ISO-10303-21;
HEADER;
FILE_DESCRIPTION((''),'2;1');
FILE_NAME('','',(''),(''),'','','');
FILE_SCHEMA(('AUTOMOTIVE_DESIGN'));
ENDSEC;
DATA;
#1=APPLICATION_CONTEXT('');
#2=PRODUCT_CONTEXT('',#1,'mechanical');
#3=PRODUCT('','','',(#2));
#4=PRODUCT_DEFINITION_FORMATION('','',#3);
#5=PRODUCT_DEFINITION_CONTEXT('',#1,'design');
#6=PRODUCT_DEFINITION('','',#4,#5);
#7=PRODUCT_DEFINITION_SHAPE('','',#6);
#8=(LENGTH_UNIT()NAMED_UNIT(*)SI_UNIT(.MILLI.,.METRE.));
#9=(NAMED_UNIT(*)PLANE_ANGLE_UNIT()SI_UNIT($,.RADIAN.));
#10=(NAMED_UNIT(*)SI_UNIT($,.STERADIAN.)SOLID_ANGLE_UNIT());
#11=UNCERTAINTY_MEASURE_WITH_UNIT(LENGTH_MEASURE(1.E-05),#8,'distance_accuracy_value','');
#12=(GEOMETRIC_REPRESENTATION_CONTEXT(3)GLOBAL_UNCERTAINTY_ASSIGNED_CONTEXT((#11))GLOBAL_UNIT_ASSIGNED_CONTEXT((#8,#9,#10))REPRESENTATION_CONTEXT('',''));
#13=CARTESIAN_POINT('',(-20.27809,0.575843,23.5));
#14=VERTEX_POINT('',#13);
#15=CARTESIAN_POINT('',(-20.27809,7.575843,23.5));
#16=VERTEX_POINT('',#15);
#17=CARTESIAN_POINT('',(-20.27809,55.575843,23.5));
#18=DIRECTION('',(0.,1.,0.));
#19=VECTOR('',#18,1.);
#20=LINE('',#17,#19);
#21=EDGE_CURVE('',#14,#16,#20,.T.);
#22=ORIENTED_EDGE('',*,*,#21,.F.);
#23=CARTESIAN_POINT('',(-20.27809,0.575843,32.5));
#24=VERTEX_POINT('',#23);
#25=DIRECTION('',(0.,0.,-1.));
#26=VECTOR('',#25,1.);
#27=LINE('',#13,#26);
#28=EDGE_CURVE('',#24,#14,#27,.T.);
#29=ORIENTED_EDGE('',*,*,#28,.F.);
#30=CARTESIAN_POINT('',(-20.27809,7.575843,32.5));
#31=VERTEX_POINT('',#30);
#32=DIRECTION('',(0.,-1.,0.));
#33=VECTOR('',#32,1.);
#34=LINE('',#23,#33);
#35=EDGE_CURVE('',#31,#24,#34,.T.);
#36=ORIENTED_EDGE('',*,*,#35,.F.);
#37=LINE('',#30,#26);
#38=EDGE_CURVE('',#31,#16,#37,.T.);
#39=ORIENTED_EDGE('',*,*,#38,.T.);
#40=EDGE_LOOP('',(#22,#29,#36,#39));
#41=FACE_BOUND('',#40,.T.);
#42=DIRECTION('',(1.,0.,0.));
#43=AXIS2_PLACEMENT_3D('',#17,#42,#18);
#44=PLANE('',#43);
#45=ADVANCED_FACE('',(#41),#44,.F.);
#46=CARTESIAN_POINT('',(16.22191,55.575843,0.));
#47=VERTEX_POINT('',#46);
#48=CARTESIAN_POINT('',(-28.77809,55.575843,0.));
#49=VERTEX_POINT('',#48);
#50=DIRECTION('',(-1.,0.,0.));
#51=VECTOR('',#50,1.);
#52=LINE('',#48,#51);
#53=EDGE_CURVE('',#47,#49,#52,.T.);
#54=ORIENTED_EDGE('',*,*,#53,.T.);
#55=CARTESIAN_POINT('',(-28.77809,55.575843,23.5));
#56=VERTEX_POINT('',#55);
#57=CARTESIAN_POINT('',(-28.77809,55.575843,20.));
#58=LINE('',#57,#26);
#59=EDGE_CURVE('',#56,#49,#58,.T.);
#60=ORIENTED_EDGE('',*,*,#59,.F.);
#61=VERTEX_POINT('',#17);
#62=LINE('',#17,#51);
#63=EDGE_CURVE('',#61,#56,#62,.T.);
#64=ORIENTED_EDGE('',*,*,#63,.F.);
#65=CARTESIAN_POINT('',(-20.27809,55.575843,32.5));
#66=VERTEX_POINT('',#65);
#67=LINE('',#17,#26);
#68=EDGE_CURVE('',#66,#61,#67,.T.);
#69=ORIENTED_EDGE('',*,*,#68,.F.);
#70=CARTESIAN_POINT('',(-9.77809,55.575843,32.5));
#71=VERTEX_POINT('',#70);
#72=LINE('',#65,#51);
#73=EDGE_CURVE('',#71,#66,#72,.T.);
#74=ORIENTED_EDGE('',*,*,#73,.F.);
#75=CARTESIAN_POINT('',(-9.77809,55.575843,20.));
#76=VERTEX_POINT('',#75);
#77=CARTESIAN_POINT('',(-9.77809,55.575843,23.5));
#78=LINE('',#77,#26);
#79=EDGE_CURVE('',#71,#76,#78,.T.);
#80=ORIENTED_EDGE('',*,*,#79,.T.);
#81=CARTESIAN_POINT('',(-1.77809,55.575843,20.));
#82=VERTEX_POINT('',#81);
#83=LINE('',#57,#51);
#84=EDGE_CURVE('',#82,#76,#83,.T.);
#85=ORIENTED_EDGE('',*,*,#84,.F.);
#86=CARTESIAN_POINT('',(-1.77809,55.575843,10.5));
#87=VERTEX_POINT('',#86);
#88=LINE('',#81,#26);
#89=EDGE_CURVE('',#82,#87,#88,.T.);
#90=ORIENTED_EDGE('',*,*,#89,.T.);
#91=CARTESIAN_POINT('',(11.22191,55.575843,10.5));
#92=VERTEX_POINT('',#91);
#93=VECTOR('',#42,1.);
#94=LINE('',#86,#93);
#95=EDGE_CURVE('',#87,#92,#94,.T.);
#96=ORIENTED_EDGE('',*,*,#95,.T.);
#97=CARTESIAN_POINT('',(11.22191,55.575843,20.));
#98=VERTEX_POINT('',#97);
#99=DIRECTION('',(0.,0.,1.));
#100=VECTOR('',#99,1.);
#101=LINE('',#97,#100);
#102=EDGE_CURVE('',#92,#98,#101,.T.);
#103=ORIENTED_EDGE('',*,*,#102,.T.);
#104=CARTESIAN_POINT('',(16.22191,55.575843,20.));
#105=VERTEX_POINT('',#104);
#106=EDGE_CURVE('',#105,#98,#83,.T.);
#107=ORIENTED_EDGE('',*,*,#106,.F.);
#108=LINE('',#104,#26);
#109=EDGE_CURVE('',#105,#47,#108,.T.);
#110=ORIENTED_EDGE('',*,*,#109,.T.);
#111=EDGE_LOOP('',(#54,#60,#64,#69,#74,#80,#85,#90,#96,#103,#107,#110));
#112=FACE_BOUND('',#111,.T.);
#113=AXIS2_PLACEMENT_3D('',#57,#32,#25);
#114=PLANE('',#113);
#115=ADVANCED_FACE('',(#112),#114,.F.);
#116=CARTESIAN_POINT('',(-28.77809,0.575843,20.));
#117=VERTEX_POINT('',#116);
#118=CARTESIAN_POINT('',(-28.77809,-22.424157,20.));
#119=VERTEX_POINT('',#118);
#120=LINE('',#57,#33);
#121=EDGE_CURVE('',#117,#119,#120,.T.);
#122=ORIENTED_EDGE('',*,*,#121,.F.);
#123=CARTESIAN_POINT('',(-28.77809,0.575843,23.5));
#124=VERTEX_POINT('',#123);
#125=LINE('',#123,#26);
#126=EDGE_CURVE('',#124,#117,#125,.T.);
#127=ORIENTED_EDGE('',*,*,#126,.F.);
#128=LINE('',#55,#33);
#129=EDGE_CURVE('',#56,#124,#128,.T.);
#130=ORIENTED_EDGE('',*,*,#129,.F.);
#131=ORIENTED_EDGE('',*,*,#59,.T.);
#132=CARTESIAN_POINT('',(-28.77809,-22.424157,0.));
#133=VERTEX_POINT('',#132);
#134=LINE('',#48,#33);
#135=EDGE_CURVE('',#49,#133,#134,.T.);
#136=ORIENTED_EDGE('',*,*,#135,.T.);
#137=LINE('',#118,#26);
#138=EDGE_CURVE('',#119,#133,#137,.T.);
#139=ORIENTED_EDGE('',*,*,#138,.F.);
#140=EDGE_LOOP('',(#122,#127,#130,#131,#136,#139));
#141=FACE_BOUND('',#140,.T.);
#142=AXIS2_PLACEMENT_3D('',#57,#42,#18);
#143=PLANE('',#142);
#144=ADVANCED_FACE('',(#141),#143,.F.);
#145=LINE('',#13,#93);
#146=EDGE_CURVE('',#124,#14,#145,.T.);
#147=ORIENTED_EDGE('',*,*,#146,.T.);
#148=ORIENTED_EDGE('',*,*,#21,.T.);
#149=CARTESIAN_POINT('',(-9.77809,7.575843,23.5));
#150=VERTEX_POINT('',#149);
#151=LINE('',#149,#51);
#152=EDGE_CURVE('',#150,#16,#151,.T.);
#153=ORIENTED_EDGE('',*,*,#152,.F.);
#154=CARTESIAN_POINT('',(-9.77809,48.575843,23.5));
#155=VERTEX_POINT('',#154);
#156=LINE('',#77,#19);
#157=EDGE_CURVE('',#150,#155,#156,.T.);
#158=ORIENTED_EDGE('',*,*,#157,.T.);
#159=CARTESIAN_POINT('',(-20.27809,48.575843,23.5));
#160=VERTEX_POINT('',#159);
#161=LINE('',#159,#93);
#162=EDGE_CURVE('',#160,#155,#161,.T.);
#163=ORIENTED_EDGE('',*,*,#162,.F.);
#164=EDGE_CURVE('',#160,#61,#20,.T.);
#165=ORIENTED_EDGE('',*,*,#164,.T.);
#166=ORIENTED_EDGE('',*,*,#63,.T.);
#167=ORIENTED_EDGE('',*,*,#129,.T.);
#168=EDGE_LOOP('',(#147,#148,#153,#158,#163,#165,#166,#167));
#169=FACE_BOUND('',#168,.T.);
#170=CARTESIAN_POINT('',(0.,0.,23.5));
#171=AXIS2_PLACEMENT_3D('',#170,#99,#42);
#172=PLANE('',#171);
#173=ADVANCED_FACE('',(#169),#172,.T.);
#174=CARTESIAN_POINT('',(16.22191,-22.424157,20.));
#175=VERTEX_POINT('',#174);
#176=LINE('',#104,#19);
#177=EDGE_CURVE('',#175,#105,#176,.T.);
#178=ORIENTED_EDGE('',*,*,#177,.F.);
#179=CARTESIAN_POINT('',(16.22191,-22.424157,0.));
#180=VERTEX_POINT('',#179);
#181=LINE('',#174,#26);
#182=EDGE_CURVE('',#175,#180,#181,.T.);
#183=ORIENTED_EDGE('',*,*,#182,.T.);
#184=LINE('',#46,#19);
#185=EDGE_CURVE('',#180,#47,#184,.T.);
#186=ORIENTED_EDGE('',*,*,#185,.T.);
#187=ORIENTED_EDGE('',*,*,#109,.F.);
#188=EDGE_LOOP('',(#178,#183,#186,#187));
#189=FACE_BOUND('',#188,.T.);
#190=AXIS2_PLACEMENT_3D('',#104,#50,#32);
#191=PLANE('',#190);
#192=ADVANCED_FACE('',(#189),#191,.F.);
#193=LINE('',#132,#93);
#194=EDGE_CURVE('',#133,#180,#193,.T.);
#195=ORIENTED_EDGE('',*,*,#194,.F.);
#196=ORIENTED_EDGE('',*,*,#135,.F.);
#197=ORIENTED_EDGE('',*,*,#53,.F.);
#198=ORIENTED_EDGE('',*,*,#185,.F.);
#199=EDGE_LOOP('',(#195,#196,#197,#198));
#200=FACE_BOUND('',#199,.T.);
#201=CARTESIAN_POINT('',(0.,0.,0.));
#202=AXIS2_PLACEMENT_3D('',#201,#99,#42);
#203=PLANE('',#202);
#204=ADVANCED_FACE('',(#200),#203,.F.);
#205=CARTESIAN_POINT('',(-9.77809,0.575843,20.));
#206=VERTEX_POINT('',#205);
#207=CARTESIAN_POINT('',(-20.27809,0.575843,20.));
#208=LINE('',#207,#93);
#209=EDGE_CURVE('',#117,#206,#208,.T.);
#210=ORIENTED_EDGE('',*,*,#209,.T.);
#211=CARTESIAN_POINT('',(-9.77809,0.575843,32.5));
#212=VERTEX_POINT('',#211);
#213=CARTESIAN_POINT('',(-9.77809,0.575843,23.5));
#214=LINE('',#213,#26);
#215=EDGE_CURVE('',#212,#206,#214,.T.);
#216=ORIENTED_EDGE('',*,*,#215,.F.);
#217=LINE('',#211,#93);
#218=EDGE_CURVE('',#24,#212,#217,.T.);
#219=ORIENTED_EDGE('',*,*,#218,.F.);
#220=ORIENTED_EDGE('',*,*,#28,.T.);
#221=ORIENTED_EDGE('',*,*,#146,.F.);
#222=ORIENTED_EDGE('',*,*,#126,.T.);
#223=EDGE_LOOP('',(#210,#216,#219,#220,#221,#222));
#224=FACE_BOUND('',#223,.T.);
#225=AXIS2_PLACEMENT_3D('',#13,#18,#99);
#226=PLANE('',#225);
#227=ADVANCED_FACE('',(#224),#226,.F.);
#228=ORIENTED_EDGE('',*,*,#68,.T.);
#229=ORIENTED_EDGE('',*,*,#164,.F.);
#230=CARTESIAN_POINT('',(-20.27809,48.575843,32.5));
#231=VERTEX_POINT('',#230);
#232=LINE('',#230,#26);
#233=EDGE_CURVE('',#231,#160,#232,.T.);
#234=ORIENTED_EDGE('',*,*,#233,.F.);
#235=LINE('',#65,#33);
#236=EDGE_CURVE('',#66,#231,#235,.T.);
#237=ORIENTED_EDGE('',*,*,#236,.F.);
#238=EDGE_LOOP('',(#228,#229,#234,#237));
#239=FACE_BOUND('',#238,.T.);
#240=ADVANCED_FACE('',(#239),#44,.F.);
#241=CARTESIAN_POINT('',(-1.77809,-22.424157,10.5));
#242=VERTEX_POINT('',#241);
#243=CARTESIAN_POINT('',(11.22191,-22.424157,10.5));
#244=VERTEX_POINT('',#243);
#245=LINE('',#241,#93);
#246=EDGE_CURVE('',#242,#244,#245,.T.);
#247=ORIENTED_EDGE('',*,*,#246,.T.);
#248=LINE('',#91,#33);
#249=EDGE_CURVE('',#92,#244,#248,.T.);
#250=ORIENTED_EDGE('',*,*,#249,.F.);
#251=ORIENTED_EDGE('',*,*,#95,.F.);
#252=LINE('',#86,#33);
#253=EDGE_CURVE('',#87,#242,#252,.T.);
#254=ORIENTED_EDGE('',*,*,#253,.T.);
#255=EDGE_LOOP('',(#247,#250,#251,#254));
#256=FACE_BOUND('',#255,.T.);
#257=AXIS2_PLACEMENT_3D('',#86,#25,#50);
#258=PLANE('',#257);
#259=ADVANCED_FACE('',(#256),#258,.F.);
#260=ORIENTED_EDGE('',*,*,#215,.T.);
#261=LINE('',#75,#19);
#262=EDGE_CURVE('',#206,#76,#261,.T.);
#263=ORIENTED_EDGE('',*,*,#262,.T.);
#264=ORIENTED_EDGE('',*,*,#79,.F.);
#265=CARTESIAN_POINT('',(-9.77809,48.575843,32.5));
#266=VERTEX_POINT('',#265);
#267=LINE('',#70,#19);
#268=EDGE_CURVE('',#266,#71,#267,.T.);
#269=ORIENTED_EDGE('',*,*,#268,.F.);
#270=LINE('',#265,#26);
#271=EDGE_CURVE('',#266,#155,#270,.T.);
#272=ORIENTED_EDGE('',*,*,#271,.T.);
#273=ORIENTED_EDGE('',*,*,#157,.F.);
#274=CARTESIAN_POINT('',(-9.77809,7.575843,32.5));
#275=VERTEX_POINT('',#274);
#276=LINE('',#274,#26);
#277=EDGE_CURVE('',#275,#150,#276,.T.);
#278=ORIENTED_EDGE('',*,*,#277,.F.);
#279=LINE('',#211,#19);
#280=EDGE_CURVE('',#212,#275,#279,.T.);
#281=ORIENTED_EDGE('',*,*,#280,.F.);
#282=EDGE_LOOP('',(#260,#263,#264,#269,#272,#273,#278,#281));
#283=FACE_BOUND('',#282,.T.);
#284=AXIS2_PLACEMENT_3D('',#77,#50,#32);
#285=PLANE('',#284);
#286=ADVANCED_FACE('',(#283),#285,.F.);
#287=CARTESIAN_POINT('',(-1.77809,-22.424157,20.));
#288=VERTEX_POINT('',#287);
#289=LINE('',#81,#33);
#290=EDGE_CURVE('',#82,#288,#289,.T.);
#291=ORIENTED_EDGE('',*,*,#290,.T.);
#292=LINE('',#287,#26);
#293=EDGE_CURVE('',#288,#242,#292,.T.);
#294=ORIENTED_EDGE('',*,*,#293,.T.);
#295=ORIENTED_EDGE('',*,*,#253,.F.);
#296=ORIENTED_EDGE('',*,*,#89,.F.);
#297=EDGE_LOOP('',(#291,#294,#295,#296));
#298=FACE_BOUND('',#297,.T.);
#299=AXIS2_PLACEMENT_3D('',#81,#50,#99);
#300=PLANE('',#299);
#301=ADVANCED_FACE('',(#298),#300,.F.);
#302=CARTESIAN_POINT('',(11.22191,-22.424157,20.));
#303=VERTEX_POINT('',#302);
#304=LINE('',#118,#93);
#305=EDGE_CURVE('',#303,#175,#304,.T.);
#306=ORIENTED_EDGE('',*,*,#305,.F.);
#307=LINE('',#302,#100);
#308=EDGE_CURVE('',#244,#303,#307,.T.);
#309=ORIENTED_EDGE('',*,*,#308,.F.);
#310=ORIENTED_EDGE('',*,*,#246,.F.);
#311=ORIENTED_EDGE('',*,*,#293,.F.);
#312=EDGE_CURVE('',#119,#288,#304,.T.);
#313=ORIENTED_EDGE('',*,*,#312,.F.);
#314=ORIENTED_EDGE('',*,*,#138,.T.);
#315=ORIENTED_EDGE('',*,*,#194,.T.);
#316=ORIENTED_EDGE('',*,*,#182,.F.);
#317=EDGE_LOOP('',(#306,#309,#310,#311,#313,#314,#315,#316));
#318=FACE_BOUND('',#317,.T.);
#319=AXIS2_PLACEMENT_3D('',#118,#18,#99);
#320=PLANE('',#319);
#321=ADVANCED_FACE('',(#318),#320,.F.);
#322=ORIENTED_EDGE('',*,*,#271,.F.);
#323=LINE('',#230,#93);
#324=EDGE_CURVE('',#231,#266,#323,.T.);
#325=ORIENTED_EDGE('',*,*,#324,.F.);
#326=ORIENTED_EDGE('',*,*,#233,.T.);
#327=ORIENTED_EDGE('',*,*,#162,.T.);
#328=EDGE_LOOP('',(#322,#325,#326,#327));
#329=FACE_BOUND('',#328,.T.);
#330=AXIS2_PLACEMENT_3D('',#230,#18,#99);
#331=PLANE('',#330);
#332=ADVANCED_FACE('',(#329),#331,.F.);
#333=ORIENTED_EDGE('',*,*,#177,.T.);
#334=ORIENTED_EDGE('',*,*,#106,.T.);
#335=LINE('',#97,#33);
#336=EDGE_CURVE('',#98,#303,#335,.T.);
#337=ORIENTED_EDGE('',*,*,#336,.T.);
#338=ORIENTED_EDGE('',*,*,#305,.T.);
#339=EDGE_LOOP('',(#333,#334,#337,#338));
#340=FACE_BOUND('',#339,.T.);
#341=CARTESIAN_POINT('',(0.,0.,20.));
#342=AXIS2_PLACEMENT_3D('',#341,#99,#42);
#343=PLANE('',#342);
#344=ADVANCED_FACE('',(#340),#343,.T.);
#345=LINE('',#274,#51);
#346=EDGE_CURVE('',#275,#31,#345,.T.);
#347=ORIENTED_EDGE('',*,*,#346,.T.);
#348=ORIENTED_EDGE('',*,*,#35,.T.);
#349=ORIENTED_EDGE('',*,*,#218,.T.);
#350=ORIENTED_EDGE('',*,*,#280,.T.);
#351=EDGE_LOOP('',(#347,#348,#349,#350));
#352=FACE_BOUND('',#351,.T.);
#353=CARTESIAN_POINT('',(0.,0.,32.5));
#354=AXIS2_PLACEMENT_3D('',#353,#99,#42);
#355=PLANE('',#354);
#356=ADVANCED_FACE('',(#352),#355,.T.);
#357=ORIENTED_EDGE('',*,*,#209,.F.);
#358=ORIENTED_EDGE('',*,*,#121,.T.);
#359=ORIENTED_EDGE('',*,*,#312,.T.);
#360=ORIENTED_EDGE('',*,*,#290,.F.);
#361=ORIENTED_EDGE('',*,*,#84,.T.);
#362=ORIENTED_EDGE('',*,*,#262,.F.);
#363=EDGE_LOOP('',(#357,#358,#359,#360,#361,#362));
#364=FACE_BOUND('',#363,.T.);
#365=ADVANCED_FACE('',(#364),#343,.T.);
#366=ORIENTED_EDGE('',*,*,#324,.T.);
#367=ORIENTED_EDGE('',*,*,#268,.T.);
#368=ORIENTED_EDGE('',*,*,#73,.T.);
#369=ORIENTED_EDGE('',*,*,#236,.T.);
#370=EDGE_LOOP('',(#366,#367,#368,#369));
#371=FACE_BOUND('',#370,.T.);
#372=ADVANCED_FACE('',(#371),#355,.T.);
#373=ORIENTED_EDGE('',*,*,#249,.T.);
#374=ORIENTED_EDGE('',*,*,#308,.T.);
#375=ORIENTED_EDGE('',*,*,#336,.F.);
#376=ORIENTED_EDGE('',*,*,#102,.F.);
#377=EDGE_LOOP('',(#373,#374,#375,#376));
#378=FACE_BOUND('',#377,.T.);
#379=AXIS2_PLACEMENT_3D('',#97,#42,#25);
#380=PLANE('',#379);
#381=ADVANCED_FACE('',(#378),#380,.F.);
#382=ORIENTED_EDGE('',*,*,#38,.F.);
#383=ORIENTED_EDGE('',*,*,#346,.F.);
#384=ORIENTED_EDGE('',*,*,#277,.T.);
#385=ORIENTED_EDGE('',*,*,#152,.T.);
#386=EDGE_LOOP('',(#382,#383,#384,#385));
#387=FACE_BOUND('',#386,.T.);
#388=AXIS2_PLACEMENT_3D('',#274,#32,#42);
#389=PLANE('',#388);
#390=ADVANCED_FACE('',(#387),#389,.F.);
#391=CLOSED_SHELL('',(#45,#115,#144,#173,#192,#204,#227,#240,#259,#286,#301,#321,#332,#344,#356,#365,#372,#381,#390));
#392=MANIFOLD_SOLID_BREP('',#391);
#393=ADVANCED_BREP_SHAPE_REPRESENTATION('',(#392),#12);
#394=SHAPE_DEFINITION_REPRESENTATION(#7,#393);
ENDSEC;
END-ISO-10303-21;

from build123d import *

# Parameters (mm, degrees)
SKETCH4_W           = 45
SKETCH4_H           = 78
BOSS_EXTRUDE1_DEPTH = 20
SKETCH6_W           = 13
SKETCH6_H           = 9.5
CUT_EXTRUDE1_DEPTH  = 86.511276786
SKETCH7_W           = 10.5
SKETCH7_H           = 55
BOSS_EXTRUDE2_DEPTH = 3.5
SKETCH8_W           = 10.5
SKETCH8_H           = 7
BOSS_EXTRUDE3_DEPTH = 9
SKETCH9_W           = 8.5
SKETCH9_H           = 55
BOSS_EXTRUDE4_DEPTH = 3.5


with BuildPart() as part:
    # Sketch4 → Boss-Extrude1 (new body)
    with BuildSketch(Plane.XY):
        with Locations((-6.278089888, 16.575842697)):
            Rectangle(SKETCH4_W, SKETCH4_H)
    extrude(amount=BOSS_EXTRUDE1_DEPTH)

    # Sketch6 → Cut-Extrude1 (cut, through all)
    with BuildSketch(Plane.XZ.offset(22.424157303)):
        with Locations((4.721910112, 15.25)):
            Rectangle(SKETCH6_W, SKETCH6_H)
    extrude(amount=-CUT_EXTRUDE1_DEPTH, mode=Mode.SUBTRACT)

    # Sketch7 → Boss-Extrude2 (add)
    with BuildSketch(Plane.XY.offset(20)):
        with Locations((-15.028089888, 28.075842697)):
            Rectangle(SKETCH7_W, SKETCH7_H)
    extrude(amount=BOSS_EXTRUDE2_DEPTH)

    # Sketch8 → Boss-Extrude3 (add)
    with BuildSketch(Plane.XY.offset(23.5)):
        with Locations((-15.028089888, 4.075842697)):
            Rectangle(SKETCH8_W, SKETCH8_H)
        with Locations((-15.028089888, 52.075842697)):
            Rectangle(SKETCH8_W, SKETCH8_H)
    extrude(amount=BOSS_EXTRUDE3_DEPTH)

    # Sketch9 → Boss-Extrude4 (add)
    with BuildSketch(Plane.XY.offset(20)):
        with Locations((-24.528089888, 28.075842697)):
            Rectangle(SKETCH9_W, SKETCH9_H)
    extrude(amount=BOSS_EXTRUDE4_DEPTH)


solid = part.part
